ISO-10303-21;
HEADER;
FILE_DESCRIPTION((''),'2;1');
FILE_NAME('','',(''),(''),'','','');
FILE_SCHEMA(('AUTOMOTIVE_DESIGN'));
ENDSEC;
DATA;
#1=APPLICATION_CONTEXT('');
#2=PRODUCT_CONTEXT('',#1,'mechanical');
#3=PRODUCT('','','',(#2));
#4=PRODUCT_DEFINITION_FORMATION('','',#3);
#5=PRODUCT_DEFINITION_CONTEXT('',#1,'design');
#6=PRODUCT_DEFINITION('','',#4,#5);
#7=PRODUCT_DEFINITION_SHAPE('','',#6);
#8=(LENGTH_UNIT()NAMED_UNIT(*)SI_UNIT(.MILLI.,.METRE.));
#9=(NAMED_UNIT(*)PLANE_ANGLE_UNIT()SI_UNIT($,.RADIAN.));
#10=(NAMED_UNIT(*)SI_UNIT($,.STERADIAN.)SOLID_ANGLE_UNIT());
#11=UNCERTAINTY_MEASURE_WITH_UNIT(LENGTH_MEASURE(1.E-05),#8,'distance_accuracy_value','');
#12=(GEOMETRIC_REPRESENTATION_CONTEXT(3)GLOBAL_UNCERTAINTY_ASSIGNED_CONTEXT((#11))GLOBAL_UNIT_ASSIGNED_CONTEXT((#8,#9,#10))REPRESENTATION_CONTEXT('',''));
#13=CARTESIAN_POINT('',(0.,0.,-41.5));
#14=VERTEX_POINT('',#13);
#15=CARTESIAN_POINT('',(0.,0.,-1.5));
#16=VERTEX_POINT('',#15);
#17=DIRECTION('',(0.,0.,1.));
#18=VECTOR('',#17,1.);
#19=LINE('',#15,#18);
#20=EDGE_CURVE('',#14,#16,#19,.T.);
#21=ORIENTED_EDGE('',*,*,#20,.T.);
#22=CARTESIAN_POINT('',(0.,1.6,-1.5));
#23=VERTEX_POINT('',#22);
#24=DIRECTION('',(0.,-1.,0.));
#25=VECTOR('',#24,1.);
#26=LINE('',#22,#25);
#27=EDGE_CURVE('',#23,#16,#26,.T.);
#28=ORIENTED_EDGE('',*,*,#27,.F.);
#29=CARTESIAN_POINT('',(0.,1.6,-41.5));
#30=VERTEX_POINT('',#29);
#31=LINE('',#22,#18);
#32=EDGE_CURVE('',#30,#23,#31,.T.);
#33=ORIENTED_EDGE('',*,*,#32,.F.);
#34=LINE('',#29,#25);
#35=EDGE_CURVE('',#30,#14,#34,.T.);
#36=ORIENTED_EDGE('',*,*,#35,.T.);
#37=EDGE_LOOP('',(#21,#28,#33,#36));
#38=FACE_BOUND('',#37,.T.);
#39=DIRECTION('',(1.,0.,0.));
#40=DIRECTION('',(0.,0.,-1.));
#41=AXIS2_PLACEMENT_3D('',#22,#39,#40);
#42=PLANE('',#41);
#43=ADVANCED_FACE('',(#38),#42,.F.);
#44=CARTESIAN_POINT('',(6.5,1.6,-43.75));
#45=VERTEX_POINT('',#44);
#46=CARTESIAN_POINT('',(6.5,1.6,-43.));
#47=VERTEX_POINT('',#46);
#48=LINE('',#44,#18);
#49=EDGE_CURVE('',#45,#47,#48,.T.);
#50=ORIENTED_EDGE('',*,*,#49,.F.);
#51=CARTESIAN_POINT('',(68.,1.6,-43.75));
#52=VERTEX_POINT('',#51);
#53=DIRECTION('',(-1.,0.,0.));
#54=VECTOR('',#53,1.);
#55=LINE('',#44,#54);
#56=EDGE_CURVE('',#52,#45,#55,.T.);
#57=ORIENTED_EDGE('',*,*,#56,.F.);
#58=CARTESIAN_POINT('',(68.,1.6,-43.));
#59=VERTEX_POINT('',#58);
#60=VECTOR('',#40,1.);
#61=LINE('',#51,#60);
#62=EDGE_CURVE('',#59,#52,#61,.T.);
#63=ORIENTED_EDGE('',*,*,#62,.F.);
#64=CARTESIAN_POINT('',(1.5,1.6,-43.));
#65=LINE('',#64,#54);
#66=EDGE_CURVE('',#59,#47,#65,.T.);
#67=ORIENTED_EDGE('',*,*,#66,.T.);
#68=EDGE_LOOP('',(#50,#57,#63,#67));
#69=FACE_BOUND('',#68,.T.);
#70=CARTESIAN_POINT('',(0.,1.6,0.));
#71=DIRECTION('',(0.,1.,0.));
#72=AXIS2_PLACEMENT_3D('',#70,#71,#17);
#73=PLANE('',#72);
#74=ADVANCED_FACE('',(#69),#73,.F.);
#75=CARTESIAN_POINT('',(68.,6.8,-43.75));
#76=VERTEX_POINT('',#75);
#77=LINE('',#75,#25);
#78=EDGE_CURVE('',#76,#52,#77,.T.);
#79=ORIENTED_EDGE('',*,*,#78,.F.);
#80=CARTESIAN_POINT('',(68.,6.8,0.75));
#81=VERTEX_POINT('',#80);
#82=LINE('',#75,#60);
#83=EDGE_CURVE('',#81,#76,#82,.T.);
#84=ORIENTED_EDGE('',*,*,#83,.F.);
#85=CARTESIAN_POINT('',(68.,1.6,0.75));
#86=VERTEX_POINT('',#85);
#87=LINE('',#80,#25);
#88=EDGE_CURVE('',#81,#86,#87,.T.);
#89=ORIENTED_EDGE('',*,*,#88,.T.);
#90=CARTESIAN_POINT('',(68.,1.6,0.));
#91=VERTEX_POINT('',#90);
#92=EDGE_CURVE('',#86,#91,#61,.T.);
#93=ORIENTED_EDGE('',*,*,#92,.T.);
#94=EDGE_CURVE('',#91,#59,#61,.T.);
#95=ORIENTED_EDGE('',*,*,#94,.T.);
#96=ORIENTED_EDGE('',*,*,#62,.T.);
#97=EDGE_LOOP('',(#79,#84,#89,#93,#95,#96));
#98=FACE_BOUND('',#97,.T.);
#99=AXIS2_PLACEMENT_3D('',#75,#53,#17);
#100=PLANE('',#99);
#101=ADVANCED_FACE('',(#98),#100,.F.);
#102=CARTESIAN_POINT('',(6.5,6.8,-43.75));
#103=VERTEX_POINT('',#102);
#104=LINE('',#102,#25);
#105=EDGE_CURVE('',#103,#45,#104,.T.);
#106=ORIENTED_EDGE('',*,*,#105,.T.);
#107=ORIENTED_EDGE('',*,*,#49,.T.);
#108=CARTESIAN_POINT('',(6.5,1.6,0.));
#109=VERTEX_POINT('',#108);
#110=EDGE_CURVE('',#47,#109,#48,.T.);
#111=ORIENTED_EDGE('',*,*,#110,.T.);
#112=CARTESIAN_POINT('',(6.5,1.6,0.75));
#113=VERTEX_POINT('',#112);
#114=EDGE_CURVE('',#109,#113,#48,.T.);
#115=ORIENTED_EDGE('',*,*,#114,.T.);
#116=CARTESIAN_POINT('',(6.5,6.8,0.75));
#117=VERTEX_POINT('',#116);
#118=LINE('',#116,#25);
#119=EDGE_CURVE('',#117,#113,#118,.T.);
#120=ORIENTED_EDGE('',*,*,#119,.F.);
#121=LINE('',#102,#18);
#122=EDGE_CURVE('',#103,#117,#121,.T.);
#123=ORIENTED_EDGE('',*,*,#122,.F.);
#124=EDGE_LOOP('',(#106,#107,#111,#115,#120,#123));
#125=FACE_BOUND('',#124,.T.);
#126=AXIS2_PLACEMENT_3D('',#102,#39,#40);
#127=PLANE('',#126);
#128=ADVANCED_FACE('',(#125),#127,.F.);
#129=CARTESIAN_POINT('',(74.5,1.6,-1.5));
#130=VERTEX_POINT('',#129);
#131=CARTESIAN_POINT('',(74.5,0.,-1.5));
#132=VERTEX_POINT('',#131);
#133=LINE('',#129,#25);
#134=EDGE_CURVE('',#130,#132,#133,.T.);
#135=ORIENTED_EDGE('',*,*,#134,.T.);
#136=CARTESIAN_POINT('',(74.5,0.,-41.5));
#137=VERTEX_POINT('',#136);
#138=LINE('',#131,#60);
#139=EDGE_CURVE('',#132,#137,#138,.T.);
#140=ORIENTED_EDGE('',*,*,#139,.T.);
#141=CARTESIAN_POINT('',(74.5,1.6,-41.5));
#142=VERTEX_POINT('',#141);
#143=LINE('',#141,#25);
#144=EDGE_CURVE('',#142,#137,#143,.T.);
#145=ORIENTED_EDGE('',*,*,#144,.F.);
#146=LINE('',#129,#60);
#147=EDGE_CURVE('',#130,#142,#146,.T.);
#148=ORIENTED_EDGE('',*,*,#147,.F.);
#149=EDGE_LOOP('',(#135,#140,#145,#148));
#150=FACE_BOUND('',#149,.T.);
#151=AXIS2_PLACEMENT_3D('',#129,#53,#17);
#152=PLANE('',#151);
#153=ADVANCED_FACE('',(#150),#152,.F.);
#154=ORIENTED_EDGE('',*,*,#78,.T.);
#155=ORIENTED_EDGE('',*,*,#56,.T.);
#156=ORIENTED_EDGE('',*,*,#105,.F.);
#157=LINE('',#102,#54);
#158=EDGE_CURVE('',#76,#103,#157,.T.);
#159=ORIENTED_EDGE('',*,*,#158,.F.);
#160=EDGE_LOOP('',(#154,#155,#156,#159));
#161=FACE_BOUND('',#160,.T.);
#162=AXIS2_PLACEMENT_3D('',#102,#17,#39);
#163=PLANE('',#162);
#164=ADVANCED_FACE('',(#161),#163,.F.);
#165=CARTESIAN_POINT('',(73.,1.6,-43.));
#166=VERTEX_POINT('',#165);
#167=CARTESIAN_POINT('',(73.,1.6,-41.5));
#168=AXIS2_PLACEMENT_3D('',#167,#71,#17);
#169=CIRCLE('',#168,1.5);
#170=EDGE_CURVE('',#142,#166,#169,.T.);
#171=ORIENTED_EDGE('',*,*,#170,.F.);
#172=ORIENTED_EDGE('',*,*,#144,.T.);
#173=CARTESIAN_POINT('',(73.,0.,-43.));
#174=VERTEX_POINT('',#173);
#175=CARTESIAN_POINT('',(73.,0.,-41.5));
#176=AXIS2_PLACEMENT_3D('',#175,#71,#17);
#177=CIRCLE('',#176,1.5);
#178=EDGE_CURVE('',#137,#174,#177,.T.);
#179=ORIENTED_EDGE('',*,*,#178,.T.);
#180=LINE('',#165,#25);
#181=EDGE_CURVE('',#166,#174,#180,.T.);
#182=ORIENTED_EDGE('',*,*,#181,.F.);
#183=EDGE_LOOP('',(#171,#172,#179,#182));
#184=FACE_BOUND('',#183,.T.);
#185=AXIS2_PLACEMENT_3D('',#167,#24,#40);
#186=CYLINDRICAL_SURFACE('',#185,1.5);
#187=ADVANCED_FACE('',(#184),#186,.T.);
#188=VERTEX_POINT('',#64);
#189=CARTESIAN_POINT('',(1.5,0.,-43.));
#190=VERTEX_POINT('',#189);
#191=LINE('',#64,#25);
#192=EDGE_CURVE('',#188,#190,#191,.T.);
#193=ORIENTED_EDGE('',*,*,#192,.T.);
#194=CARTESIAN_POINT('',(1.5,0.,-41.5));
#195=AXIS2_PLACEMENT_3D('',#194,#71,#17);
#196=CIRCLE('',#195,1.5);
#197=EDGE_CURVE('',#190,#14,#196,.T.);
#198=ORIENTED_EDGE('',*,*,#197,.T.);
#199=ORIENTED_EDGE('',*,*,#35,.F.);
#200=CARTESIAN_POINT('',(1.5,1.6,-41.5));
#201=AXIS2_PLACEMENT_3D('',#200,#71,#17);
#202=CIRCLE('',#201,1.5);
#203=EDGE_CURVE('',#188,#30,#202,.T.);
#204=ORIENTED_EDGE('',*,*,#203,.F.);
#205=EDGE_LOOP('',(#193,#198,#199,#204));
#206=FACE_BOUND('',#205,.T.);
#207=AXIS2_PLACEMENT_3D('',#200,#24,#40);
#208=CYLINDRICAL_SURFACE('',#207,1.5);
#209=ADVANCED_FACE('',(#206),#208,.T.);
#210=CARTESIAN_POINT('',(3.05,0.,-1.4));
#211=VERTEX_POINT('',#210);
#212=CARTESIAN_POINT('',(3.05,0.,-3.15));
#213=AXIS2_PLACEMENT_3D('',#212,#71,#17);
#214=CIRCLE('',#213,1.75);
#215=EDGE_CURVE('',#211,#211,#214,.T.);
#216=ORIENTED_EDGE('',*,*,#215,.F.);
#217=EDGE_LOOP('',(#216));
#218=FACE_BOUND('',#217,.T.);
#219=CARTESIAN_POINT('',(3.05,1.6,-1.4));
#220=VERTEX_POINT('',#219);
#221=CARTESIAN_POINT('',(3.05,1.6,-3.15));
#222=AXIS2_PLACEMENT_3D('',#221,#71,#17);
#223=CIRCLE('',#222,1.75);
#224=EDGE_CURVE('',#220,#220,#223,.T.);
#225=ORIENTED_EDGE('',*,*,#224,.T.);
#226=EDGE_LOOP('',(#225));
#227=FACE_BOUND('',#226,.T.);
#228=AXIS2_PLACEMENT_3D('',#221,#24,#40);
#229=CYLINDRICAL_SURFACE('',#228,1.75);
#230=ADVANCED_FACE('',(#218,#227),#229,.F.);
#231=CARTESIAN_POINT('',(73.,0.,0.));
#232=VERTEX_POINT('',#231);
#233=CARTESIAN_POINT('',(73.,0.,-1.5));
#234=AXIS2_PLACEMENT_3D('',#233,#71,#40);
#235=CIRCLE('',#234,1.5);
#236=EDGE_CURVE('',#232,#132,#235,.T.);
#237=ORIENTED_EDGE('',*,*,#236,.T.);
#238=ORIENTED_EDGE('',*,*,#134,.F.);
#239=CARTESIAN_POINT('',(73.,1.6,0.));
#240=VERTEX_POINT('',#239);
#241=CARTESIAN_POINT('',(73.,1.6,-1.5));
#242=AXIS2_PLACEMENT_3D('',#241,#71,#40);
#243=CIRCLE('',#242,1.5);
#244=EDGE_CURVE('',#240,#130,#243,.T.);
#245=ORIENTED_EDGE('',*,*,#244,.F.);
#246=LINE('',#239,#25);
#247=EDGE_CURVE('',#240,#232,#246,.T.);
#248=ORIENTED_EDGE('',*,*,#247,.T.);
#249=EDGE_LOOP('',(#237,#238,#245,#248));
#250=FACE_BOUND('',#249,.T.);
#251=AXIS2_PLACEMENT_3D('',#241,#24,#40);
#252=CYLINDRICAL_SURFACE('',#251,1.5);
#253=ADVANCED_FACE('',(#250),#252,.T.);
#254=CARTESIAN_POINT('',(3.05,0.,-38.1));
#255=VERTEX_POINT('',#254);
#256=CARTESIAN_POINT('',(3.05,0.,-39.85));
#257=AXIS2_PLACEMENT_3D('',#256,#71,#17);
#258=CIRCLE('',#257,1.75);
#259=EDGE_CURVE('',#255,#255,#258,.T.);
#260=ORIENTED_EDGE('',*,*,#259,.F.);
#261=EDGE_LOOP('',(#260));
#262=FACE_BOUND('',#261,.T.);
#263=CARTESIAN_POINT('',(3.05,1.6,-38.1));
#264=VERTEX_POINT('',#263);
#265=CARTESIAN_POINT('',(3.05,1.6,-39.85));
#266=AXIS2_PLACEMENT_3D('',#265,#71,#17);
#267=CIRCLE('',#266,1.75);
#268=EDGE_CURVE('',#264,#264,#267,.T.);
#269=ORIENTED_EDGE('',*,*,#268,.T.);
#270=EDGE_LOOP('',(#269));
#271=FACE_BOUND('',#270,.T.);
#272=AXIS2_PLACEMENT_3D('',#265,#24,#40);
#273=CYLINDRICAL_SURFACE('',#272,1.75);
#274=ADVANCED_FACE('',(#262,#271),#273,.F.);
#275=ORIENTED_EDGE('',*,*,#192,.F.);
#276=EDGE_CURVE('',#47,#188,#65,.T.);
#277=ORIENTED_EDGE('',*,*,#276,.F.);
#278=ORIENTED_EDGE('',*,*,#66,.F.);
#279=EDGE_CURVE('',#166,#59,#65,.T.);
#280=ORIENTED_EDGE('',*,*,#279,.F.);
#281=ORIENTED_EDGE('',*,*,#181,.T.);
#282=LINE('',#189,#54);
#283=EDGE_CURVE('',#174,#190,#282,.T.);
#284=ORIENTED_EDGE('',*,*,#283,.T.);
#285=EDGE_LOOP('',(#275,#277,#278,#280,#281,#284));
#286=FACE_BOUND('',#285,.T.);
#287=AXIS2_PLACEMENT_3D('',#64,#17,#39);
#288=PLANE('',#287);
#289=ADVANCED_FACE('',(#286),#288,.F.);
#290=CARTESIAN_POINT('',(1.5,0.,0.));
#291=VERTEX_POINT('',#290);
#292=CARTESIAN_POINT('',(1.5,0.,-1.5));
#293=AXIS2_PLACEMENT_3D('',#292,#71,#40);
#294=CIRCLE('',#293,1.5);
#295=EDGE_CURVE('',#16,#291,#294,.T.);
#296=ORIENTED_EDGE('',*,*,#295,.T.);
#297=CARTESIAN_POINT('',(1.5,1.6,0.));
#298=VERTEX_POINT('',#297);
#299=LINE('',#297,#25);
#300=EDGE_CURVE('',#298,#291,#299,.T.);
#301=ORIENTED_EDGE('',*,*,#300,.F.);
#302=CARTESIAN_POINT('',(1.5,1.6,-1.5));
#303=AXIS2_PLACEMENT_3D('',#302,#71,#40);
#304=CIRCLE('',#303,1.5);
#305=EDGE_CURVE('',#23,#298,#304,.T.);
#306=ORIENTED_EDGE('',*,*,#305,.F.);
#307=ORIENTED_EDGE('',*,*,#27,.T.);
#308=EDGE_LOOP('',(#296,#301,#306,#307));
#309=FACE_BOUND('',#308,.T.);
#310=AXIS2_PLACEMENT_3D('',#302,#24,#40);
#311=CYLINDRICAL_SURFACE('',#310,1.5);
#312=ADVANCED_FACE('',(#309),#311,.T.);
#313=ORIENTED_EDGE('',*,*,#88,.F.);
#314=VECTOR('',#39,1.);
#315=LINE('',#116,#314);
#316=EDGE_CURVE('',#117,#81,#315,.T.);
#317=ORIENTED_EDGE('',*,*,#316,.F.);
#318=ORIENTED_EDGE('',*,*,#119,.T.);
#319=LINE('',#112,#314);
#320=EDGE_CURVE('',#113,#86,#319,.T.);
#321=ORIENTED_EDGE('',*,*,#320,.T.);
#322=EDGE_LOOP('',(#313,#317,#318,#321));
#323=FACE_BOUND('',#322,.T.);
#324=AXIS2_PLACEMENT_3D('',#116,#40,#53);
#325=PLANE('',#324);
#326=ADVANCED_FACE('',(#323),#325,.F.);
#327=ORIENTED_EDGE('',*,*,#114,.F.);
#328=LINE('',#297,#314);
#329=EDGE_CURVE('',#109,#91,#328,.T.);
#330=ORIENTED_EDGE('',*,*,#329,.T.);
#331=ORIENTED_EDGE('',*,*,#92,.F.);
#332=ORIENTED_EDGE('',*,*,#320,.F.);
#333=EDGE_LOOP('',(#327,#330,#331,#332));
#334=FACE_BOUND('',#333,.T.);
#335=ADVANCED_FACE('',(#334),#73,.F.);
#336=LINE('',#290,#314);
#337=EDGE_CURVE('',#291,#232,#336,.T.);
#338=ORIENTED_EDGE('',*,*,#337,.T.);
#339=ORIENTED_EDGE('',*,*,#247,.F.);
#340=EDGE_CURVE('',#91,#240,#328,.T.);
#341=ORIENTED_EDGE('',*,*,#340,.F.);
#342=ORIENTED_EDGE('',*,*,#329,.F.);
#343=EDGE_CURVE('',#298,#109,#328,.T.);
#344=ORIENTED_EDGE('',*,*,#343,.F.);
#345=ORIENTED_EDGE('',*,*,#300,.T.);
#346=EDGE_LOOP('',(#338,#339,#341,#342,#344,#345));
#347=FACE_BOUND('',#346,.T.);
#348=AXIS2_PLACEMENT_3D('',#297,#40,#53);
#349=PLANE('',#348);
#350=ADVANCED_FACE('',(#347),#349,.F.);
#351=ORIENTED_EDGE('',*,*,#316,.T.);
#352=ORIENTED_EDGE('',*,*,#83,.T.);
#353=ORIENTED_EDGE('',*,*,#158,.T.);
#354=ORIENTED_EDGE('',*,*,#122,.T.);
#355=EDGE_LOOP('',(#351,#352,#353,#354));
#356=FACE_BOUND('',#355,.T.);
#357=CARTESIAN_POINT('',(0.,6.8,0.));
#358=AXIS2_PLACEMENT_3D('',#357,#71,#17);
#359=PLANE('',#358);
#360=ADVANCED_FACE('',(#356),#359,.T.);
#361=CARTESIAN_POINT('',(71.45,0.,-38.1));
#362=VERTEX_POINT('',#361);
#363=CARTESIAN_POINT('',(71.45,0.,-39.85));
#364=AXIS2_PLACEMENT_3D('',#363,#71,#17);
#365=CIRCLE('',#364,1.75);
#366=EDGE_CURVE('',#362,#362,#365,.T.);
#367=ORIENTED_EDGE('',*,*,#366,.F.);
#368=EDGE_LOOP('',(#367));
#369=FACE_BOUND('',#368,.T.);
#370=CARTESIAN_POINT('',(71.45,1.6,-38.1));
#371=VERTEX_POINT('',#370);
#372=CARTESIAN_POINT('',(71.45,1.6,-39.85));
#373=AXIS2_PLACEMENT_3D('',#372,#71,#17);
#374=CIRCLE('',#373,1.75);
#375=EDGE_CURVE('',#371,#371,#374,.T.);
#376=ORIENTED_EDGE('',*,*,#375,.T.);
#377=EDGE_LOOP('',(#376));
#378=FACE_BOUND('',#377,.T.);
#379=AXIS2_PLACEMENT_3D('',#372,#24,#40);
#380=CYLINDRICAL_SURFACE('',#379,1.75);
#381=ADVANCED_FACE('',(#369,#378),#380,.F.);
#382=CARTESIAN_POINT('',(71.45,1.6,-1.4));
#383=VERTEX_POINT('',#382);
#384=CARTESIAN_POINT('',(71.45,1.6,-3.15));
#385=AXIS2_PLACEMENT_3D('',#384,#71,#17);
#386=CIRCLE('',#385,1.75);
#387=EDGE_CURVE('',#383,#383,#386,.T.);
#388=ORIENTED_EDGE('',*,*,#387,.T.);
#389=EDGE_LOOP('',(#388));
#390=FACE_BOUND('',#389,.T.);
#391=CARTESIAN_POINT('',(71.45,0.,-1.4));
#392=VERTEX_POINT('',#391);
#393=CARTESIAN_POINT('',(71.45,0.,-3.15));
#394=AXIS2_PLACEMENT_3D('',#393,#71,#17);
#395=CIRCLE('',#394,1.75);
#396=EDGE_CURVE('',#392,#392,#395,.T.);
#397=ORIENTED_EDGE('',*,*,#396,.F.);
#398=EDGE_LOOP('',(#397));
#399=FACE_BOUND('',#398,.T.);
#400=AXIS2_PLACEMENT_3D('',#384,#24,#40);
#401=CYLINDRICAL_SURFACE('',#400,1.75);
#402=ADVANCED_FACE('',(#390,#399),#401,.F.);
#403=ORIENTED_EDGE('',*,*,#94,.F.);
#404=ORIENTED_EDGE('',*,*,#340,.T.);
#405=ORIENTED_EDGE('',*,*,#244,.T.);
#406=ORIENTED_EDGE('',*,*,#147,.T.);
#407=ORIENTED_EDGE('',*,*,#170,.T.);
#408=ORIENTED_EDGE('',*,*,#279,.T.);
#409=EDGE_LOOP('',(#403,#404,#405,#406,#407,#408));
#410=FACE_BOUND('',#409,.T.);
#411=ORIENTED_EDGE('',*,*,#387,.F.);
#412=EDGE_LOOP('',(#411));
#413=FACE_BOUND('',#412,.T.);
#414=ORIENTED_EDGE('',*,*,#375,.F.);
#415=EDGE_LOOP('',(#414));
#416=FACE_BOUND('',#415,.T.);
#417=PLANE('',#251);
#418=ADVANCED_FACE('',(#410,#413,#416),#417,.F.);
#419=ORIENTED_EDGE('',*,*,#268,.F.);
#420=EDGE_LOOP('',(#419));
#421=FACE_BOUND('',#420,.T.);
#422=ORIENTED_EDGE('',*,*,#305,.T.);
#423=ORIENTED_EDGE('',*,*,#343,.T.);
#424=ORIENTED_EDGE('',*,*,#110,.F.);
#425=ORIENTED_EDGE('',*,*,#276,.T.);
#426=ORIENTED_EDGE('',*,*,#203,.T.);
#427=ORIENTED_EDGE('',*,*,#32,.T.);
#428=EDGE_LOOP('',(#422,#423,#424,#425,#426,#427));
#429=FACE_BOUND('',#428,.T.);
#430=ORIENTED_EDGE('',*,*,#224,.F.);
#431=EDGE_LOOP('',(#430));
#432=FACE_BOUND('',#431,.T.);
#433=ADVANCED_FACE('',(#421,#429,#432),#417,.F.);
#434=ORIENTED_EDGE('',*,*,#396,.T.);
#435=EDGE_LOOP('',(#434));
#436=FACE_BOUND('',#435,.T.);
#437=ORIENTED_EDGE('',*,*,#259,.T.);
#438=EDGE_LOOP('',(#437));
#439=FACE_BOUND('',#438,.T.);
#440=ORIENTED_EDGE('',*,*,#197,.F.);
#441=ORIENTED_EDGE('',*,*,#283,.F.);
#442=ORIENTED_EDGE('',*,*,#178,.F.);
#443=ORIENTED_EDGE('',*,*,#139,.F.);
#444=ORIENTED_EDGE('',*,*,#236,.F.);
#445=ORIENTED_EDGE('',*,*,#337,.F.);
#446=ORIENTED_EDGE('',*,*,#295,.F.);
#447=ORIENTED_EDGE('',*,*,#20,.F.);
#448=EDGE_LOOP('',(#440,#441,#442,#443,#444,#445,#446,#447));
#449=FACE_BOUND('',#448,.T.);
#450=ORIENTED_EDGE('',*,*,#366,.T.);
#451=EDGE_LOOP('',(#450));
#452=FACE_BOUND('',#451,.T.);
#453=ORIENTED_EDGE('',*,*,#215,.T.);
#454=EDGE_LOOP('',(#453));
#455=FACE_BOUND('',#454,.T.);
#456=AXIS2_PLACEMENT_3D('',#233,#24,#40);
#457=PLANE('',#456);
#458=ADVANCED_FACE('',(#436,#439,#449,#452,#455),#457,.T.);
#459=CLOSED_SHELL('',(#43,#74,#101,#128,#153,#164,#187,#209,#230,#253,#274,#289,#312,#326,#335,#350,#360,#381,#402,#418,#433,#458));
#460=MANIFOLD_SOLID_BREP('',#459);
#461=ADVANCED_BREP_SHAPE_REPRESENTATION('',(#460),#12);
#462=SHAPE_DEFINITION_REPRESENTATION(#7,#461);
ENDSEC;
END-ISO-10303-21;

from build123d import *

# Parameters (mm, degrees)
SKETCH_1_R      = 1.75
EXTRUDE_1_DEPTH = 1.6
SKETCH_2_W      = 61.5
SKETCH_2_H      = 44.5
EXTRUDE_2_DEPTH = 5.2


with BuildPart() as part:
    # 草图1 → 凸台-拉伸1 (new body)
    with BuildSketch(Plane(origin=(0, 0, 0), x_dir=(1, 0, 0), z_dir=(0, 1, 0))):
        with BuildLine():
            Line((1.5, 0), (73, 0))
            ThreePointArc((73, 0), (74.060660172, 0.439339828), (74.5, 1.5))
            Line((74.5, 1.5), (74.5, 41.5))
            ThreePointArc((74.5, 41.5), (74.060660172, 42.560660172), (73, 43))
            Line((73, 43), (1.5, 43))
            ThreePointArc((1.5, 43), (0.439339828, 42.560660172), (0, 41.5))
            Line((0, 41.5), (0, 1.5))
            ThreePointArc((0, 1.5), (0.439339828, 0.439339828), (1.5, 0))
        make_face()
        with Locations(Location((3.05, 39.85, 0), (0, 0, 270))):
            Circle(SKETCH_1_R, mode=Mode.SUBTRACT)
        with Locations(Location((3.05, 3.15, 0), (0, 0, 270))):
            Circle(SKETCH_1_R, mode=Mode.SUBTRACT)
        with Locations(Location((71.45, 39.85, 0), (0, 0, 270))):
            Circle(SKETCH_1_R, mode=Mode.SUBTRACT)
        with Locations(Location((71.45, 3.15, 0), (0, 0, 270))):
            Circle(SKETCH_1_R, mode=Mode.SUBTRACT)
    extrude(amount=EXTRUDE_1_DEPTH)

    # 草图2 → 凸台-拉伸2 (add)
    with BuildSketch(Plane(origin=(0, 1.6, 0), x_dir=(1, 0, 0), z_dir=(0, 1, 0))):
        with Locations((37.25, 21.5)):
            Rectangle(SKETCH_2_W, SKETCH_2_H)
    extrude(amount=EXTRUDE_2_DEPTH)


solid = part.part
